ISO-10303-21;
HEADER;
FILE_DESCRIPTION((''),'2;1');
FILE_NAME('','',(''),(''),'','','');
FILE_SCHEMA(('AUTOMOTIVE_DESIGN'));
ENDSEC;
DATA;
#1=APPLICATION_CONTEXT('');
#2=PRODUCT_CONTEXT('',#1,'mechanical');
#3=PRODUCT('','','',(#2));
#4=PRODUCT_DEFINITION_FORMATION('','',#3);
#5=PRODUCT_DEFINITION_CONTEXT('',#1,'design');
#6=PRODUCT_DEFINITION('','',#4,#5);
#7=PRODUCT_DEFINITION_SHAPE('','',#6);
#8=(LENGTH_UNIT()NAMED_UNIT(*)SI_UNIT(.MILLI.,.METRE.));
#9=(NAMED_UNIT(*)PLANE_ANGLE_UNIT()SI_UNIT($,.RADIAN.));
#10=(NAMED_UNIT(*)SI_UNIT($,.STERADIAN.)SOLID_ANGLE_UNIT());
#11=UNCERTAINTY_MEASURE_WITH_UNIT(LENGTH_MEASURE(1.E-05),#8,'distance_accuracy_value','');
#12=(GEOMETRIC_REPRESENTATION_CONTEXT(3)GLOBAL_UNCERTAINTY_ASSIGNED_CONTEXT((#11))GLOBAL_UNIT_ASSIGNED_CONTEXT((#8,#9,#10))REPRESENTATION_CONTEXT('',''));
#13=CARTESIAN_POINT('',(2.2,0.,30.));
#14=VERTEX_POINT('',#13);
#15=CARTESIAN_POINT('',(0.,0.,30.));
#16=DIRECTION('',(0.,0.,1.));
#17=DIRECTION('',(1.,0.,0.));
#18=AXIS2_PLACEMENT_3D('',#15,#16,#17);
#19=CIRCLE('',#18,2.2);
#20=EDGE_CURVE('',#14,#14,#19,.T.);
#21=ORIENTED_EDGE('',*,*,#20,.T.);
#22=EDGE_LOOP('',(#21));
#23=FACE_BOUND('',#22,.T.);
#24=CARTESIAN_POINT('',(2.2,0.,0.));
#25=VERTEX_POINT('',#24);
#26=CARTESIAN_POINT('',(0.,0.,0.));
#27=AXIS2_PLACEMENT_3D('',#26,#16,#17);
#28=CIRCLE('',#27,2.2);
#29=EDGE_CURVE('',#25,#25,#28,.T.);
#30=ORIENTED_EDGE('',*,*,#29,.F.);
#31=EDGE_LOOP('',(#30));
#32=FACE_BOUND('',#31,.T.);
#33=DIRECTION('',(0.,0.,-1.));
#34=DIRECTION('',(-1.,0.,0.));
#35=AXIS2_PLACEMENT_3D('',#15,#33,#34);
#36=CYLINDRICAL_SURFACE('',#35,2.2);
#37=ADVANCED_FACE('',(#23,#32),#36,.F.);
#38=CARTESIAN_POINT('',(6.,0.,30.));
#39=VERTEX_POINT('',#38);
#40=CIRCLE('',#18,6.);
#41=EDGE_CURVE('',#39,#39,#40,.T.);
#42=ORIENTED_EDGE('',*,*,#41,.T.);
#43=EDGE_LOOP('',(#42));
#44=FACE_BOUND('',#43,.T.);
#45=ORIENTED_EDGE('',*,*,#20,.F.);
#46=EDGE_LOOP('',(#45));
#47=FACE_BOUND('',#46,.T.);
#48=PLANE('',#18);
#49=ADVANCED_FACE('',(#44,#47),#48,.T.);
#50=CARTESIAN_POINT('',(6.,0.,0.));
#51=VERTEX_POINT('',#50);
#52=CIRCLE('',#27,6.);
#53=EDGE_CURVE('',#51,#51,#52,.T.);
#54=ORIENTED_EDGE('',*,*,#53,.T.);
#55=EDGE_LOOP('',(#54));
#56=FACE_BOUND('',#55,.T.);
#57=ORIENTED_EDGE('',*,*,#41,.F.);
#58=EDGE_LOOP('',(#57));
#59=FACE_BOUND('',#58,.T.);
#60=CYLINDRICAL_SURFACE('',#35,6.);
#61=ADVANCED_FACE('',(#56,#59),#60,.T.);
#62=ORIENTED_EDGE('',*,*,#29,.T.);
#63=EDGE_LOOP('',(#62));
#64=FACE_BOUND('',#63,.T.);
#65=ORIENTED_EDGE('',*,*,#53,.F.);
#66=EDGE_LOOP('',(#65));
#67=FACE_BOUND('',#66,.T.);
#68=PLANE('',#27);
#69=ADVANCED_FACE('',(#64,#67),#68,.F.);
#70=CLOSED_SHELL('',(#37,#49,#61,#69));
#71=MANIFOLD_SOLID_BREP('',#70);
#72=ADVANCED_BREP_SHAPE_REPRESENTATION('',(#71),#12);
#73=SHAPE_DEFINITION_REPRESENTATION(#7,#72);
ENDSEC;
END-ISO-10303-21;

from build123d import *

# Parameters (mm, degrees)
ESQUISSE1_R        = 6
ESQUISSE1_R_2      = 2.2
BOSS_EXTRU_1_DEPTH = 30


with BuildPart() as part:
    # Esquisse1 → Boss.-Extru.1 (new body)
    with BuildSketch(Plane.XY):
        Circle(ESQUISSE1_R)
        Circle(ESQUISSE1_R_2, mode=Mode.SUBTRACT)
    extrude(amount=BOSS_EXTRU_1_DEPTH)


solid = part.part
